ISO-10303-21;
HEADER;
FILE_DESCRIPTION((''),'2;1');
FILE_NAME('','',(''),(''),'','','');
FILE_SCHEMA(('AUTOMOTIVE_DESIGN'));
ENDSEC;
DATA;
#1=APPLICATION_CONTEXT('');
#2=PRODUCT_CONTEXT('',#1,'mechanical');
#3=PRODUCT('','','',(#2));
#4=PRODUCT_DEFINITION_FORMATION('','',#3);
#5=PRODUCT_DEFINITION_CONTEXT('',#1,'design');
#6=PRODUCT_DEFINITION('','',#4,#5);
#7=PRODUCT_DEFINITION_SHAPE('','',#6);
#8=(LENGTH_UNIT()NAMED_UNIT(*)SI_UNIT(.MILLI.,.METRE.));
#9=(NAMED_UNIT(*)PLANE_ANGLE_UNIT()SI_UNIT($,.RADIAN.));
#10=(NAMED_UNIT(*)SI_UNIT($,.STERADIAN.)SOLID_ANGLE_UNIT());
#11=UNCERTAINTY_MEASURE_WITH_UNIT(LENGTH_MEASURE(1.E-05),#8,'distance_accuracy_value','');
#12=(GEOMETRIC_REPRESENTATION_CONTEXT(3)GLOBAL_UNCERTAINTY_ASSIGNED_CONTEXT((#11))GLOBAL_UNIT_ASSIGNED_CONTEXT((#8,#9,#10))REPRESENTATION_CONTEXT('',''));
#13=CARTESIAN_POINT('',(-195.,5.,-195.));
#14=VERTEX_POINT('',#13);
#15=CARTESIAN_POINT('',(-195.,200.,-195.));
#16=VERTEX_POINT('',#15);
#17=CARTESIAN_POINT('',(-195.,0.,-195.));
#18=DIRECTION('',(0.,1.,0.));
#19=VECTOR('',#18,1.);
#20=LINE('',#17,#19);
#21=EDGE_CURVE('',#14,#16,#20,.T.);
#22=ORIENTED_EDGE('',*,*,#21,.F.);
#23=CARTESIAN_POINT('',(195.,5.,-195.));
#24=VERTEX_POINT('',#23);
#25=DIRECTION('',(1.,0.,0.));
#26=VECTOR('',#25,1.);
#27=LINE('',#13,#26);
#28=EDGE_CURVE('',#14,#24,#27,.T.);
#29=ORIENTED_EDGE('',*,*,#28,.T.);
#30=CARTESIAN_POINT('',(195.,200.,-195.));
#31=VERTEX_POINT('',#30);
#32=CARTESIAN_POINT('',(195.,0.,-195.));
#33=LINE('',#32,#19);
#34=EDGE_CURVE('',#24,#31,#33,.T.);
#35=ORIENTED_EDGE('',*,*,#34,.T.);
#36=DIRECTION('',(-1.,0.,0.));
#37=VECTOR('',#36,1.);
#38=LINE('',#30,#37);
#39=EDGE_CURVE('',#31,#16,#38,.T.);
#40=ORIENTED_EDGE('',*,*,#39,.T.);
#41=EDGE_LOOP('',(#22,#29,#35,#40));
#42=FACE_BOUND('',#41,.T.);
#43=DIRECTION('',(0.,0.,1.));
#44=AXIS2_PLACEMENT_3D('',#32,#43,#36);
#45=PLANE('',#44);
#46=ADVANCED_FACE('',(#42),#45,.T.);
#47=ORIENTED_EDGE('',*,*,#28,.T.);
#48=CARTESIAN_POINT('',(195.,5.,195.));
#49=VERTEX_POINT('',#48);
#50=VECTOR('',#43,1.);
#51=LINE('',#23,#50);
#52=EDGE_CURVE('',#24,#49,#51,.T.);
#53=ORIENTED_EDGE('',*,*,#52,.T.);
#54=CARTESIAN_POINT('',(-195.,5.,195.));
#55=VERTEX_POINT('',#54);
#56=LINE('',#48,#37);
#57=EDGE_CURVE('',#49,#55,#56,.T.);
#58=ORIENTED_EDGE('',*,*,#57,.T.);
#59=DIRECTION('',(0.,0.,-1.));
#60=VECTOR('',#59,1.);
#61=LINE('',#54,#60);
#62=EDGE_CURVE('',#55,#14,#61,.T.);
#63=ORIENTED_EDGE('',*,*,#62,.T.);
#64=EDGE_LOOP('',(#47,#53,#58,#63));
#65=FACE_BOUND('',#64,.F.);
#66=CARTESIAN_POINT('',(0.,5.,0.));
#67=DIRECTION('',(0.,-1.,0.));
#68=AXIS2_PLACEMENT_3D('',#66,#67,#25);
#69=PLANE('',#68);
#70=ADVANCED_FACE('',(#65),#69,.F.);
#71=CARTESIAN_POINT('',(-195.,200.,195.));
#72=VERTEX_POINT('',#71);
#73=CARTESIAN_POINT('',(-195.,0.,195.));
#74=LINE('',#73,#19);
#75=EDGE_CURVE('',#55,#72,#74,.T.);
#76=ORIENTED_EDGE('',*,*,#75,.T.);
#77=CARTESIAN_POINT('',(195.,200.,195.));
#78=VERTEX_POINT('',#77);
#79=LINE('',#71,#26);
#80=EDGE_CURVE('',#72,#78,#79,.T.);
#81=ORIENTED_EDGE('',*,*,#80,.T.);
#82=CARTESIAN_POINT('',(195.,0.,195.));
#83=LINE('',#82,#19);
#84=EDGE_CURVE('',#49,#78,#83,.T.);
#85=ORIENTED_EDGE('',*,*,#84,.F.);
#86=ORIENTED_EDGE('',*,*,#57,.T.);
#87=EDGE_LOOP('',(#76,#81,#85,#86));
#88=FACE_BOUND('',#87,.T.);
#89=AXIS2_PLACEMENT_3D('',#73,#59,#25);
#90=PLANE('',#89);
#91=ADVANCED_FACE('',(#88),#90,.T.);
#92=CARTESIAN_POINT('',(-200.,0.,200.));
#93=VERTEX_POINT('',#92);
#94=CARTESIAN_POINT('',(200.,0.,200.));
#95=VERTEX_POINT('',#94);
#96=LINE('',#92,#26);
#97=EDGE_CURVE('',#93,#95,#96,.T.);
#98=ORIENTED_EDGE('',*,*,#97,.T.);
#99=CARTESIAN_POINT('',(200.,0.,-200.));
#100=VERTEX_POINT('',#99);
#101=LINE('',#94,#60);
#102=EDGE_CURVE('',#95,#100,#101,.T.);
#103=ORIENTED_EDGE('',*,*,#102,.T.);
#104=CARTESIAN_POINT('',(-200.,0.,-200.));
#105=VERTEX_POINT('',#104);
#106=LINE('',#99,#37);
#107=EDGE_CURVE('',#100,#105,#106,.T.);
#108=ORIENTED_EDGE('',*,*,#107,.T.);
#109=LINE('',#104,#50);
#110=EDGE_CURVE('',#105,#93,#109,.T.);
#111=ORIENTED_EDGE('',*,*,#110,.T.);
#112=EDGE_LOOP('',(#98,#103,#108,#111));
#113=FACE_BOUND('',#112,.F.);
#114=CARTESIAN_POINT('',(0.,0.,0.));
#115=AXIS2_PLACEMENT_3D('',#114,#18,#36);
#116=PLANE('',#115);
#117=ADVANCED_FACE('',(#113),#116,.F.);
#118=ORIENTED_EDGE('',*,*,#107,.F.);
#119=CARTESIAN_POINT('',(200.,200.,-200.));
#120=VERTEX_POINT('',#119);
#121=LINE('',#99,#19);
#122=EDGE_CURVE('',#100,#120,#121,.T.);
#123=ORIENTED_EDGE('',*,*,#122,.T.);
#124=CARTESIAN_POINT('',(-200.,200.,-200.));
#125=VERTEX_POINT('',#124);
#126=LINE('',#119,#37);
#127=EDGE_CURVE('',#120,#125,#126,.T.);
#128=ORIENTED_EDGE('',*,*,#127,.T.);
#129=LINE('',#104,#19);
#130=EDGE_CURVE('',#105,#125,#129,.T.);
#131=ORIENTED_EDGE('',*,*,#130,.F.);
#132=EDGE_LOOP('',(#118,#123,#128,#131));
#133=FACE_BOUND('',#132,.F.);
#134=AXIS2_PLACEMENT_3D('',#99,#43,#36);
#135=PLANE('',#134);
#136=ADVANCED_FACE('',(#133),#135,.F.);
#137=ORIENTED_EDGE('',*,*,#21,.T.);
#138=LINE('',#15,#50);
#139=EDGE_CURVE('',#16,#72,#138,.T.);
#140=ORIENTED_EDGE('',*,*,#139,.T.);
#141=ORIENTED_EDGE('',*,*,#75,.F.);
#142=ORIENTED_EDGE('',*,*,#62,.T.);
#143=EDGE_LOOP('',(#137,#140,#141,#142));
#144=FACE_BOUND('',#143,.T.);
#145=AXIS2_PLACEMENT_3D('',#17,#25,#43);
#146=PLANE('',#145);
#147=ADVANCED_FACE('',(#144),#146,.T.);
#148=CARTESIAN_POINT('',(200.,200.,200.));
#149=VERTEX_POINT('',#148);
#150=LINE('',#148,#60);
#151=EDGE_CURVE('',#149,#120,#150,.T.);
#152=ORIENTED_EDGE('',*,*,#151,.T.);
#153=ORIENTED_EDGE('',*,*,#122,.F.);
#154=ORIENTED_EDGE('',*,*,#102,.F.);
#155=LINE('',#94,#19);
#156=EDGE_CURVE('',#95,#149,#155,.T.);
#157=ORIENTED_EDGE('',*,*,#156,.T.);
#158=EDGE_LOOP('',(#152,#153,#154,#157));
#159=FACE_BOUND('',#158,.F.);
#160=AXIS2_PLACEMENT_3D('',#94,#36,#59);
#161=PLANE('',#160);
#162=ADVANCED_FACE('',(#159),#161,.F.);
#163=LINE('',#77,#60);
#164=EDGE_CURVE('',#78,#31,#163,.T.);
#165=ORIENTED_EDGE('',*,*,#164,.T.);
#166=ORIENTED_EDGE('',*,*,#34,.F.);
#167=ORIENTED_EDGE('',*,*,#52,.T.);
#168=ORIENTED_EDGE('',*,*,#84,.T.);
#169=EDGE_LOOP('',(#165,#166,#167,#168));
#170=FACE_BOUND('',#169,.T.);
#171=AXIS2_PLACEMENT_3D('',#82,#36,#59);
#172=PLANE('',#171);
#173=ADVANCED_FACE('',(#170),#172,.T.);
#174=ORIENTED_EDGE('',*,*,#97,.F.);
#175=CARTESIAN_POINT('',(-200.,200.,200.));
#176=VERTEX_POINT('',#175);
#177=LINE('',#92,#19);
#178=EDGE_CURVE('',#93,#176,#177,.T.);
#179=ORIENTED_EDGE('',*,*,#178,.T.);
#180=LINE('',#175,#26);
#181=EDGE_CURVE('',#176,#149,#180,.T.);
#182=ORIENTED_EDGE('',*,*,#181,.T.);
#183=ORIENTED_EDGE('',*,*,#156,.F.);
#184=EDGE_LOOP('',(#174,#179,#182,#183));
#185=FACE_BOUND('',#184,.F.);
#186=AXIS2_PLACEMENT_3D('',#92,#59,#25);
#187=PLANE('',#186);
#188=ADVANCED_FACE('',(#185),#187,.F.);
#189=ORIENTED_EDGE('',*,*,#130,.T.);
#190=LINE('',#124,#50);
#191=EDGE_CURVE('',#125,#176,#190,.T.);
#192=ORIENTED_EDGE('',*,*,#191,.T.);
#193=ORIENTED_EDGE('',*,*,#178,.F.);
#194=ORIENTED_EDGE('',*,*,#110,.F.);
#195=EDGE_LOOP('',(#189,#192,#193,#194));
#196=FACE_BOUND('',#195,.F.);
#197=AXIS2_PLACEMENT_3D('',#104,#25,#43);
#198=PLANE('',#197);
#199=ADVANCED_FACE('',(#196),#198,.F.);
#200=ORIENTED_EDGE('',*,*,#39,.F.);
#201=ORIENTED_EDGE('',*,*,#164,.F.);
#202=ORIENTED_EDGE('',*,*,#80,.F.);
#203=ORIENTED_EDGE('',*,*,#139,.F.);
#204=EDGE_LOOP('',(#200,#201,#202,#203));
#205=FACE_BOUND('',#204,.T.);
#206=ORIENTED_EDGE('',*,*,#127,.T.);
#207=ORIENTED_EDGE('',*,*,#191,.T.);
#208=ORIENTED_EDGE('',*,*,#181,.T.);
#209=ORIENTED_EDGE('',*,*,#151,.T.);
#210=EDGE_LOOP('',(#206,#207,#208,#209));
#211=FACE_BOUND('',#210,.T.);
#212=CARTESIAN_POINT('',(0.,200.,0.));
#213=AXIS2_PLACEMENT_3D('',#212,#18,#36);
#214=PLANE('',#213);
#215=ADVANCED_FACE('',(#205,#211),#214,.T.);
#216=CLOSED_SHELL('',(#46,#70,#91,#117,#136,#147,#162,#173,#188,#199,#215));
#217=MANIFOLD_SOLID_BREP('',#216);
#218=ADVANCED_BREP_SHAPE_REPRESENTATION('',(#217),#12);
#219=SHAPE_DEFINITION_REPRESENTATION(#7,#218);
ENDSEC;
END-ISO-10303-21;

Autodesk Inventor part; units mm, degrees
ref_plane "YZ Plane" through (0, 0, 0) normal (1, 0, 0) x (0, 1, 0)
ref_plane "XZ Plane" through (0, 0, 0) normal (0, 1, 0) x (-1, 0, 0)
ref_plane "XY Plane" through (0, 0, 0) normal (0, 0, 1) x (1, 0, 0)
sketch "Boceto1" plane through (0, 0, 0) normal (0, 1, 0) x (-1, 0, 0)
  line L0 (200, 200) -> (-200, 200)
  line L1 (-200, 200) -> (-200, -200)
  line L2 (-200, -200) -> (200, -200)
  line L3 (200, -200) -> (200, 200)
  line L4 (195, 195) -> (-195, 195)
  line L5 (-195, 195) -> (-195, -195)
  line L6 (-195, -195) -> (195, -195)
  line L7 (195, -195) -> (195, 195)
  point P0 (0, 0)
  dimension "L" = 400
  dimension "d1" = 400
  dimension "d2" = 200
  dimension "d3" = 200
  dimension "d4" = 390
  dimension "d5" = 390
  dimension "d6" = 195
  dimension "d7" = 195
extrude "Extrusión1" add sketch "Boceto1" along normal blind 200
sketch "Boceto2" plane through (0, 0, 0) normal (0, -1, 0) x (1, 0, 0)
  line L0 (195, 195) -> (-195, 195) projected
  line L1 (-195, -195) -> (195, -195) projected
  line L2 (195, 195) -> (-195, 195)
  line L3 (-195, 195) -> (-195, -195)
  line L4 (-195, -195) -> (195, -195)
  line L5 (195, -195) -> (195, 195)
  point P0 (0, 0)
  point P1 (195, -195)
extrude "Extrusión2" add sketch "Boceto2" against normal blind 5
equation "\"d1\" = L"
equation "\"d2\" = 0.5 * L"
equation "\"d3\" = 0.5 * L"
properties part number "techo"
